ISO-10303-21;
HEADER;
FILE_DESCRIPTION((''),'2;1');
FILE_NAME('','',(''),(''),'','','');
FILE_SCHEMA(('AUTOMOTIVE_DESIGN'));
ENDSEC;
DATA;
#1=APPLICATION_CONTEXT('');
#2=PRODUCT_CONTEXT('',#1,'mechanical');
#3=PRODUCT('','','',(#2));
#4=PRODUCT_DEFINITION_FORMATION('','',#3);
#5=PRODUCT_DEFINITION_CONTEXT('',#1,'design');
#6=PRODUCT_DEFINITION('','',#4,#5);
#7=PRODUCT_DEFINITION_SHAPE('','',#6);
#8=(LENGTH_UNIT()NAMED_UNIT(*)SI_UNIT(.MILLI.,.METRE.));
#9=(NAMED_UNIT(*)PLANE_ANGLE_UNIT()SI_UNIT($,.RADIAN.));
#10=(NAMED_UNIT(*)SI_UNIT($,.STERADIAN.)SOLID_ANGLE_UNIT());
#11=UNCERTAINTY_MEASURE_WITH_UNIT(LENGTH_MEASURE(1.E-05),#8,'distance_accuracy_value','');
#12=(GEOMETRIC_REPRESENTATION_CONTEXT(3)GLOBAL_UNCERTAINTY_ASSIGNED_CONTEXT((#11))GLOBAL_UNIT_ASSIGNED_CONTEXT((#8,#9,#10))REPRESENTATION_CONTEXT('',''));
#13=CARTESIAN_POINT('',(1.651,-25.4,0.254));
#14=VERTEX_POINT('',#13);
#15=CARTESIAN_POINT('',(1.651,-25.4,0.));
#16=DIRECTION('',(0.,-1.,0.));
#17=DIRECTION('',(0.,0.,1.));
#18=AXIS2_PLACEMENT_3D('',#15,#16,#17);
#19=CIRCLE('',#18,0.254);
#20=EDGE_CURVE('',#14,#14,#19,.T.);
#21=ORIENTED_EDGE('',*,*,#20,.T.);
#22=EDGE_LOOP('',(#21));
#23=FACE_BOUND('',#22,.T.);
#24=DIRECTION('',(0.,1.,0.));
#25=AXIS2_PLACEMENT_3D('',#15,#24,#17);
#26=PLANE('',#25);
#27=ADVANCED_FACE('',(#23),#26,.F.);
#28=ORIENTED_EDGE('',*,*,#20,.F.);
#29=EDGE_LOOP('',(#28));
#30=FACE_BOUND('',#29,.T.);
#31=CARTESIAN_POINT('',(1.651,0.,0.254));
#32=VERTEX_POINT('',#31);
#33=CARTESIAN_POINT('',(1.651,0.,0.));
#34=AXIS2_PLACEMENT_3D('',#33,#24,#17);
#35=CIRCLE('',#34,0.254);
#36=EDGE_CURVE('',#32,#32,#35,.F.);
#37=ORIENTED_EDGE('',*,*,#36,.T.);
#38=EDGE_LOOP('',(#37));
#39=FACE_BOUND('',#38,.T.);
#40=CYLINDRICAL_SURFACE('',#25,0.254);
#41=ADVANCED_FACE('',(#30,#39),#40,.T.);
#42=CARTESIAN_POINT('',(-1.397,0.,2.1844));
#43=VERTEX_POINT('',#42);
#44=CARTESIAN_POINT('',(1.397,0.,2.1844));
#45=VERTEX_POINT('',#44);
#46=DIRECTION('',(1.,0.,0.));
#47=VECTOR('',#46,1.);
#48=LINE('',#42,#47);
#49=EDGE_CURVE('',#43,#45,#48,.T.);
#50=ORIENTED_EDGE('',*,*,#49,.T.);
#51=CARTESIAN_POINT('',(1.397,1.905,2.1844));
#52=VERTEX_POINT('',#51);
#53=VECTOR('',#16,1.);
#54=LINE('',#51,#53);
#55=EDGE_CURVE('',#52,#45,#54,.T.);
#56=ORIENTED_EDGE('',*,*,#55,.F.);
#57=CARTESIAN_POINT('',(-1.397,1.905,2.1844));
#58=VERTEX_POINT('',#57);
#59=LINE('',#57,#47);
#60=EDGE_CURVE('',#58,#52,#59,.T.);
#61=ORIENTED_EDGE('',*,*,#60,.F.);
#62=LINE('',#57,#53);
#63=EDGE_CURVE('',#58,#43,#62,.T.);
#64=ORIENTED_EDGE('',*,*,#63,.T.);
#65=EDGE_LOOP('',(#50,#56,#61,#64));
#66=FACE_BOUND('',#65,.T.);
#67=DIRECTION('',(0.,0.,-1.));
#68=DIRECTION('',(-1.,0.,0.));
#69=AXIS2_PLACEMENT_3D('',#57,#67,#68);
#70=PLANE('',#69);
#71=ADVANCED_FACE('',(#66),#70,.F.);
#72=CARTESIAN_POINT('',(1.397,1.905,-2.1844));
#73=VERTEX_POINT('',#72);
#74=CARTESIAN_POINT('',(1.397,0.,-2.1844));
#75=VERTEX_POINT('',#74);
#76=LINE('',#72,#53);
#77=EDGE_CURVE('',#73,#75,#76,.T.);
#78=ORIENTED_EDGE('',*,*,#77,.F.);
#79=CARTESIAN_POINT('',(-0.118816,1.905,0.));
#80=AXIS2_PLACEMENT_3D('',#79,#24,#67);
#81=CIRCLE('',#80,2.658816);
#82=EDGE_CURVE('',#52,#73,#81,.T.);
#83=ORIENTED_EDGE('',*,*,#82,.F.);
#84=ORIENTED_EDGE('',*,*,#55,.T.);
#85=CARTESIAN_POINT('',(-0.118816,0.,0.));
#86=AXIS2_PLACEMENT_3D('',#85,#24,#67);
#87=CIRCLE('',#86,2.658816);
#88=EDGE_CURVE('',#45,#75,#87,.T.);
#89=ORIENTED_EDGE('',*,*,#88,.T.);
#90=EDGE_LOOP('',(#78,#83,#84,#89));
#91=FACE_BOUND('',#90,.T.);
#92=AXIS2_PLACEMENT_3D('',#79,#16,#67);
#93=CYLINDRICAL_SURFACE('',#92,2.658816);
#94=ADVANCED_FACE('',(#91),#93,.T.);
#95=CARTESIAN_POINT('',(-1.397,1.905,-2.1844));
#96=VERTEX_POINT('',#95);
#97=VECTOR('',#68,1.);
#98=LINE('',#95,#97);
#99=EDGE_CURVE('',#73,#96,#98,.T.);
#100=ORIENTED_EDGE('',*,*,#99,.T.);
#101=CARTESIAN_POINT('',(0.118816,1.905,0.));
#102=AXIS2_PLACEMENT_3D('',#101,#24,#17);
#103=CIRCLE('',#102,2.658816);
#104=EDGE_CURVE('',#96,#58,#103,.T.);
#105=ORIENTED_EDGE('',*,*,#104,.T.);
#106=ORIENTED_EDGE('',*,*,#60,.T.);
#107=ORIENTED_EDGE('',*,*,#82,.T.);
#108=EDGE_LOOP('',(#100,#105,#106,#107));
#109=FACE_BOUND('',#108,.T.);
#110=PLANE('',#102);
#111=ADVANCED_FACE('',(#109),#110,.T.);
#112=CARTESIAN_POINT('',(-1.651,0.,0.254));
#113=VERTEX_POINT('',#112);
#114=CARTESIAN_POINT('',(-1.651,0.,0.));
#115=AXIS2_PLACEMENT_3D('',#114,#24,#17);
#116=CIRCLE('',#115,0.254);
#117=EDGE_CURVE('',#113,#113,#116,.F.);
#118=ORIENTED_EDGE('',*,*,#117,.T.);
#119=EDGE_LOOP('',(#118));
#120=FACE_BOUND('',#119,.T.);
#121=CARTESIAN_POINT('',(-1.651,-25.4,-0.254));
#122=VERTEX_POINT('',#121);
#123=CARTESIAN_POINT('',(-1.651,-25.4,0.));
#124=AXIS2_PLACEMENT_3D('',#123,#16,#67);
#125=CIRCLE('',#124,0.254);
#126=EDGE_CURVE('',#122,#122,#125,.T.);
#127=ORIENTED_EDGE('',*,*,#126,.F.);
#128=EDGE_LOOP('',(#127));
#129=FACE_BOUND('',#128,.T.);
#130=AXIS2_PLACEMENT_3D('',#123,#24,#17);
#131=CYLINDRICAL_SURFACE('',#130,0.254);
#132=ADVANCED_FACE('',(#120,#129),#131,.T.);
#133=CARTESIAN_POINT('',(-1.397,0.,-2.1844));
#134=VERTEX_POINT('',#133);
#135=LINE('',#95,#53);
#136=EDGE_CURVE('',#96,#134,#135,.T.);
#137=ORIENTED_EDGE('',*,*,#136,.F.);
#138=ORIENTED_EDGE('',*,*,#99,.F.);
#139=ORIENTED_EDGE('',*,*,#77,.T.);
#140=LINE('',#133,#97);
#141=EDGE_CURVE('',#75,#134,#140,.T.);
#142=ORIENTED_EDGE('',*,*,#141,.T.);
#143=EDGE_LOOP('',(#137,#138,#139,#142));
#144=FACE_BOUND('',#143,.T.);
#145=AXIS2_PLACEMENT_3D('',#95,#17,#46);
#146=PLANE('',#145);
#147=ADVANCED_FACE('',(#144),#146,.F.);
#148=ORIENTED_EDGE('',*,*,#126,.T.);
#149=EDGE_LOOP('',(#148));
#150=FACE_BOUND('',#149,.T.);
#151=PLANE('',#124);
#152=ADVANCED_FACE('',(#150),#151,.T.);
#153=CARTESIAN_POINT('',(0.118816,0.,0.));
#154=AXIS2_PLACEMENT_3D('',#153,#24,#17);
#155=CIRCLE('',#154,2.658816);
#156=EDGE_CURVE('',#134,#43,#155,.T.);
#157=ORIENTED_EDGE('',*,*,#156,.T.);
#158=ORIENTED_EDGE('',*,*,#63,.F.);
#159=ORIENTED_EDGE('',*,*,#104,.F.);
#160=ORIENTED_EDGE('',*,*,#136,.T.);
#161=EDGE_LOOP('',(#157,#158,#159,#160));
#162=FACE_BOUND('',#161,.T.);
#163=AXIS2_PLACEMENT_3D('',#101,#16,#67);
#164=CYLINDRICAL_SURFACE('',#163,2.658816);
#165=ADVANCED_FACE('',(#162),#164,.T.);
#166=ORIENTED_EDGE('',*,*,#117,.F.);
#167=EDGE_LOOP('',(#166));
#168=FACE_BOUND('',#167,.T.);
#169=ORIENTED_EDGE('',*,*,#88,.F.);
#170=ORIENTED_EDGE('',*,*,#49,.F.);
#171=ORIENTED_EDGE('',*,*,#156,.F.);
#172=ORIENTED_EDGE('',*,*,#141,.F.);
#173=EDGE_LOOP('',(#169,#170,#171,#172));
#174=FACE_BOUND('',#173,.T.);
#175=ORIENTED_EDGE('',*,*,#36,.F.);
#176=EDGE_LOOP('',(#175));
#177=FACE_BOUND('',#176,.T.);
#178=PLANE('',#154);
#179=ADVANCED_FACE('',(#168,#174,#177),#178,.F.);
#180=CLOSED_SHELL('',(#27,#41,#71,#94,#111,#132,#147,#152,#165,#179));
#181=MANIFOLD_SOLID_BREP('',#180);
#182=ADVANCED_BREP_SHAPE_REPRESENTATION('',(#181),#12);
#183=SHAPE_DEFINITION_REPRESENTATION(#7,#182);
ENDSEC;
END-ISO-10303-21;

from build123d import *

# Parameters (mm, degrees)
BOSS_EXTRUDE1_DEPTH = 1.905
SKETCH2_R           = 0.254
BOSS_EXTRUDE2_DEPTH = 25.4


with BuildPart() as part:
    # Sketch1 → Boss-Extrude1 (new body)
    with BuildSketch(Plane(origin=(0, 0, 0), x_dir=(1, 0, 0), z_dir=(0, 1, 0))):
        with BuildLine():
            Line((-1.397, 2.1844), (1.397, 2.1844))
            ThreePointArc((1.397, 2.1844), (2.54, 0), (1.397, -2.1844))
            Line((1.397, -2.1844), (-1.397, -2.1844))
            ThreePointArc((-1.397, -2.1844), (-2.54, 0), (-1.397, 2.1844))
        make_face()
    extrude(amount=BOSS_EXTRUDE1_DEPTH)

    # Sketch2 → Boss-Extrude2 (add)
    with BuildSketch(Plane.XZ):
        with Locations(Location((-1.651, 0, 0), (0, 0, 90))):
            Circle(SKETCH2_R)
        with Locations(Location((1.651, 0, 0), (0, 0, 90))):
            Circle(SKETCH2_R)
    extrude(amount=BOSS_EXTRUDE2_DEPTH)


solid = part.part
